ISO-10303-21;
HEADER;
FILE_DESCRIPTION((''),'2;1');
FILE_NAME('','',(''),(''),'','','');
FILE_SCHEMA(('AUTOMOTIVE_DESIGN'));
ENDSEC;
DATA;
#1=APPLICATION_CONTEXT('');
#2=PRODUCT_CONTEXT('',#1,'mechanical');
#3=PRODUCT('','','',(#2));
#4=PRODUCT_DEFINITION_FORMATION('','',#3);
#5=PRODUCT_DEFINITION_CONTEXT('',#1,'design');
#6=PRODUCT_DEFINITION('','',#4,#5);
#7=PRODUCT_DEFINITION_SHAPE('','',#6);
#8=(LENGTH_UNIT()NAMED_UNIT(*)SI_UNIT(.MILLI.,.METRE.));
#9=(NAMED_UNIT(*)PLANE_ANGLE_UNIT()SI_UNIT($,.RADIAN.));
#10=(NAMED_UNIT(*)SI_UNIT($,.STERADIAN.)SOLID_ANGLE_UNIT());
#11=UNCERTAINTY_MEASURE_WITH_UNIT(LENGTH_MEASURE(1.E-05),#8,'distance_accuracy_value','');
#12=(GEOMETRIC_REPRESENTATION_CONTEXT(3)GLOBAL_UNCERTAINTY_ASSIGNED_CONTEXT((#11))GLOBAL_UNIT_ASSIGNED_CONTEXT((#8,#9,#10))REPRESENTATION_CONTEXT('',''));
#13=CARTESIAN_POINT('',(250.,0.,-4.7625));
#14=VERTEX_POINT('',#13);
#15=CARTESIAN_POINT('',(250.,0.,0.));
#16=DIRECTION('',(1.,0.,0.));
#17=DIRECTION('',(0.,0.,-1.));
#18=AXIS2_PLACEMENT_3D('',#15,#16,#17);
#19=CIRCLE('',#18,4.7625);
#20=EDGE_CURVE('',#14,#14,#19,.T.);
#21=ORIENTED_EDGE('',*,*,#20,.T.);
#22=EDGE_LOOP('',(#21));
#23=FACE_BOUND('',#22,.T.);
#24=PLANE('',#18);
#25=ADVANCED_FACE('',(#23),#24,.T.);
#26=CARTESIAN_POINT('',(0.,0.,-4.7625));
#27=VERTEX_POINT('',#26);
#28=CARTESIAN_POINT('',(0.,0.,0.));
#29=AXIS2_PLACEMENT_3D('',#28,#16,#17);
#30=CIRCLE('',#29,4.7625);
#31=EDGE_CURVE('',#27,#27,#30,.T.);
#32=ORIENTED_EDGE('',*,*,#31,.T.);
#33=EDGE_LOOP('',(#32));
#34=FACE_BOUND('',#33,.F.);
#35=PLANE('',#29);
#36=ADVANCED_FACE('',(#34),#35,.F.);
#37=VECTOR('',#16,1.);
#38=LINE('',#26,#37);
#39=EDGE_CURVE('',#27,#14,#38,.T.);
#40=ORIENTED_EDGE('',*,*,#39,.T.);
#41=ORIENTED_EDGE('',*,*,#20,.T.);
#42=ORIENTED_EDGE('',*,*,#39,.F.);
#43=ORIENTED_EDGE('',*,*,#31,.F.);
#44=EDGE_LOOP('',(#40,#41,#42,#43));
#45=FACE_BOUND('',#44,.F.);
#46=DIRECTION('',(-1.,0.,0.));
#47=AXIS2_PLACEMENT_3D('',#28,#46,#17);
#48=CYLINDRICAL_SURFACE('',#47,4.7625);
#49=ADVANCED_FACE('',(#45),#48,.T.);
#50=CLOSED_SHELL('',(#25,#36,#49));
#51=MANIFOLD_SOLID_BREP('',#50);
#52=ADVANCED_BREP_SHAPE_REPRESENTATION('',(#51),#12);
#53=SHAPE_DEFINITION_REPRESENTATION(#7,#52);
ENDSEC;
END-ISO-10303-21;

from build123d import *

# Parameters (mm, degrees)
SKETCH1_R           = 4.7625
BOSS_EXTRUDE1_DEPTH = 250


with BuildPart() as part:
    # Sketch1 → Boss-Extrude1 (new body)
    with BuildSketch(Plane(origin=(0, 0, 0), x_dir=(0, 0, -1), z_dir=(1, 0, 0))):
        Circle(SKETCH1_R)
    extrude(amount=BOSS_EXTRUDE1_DEPTH)


solid = part.part
